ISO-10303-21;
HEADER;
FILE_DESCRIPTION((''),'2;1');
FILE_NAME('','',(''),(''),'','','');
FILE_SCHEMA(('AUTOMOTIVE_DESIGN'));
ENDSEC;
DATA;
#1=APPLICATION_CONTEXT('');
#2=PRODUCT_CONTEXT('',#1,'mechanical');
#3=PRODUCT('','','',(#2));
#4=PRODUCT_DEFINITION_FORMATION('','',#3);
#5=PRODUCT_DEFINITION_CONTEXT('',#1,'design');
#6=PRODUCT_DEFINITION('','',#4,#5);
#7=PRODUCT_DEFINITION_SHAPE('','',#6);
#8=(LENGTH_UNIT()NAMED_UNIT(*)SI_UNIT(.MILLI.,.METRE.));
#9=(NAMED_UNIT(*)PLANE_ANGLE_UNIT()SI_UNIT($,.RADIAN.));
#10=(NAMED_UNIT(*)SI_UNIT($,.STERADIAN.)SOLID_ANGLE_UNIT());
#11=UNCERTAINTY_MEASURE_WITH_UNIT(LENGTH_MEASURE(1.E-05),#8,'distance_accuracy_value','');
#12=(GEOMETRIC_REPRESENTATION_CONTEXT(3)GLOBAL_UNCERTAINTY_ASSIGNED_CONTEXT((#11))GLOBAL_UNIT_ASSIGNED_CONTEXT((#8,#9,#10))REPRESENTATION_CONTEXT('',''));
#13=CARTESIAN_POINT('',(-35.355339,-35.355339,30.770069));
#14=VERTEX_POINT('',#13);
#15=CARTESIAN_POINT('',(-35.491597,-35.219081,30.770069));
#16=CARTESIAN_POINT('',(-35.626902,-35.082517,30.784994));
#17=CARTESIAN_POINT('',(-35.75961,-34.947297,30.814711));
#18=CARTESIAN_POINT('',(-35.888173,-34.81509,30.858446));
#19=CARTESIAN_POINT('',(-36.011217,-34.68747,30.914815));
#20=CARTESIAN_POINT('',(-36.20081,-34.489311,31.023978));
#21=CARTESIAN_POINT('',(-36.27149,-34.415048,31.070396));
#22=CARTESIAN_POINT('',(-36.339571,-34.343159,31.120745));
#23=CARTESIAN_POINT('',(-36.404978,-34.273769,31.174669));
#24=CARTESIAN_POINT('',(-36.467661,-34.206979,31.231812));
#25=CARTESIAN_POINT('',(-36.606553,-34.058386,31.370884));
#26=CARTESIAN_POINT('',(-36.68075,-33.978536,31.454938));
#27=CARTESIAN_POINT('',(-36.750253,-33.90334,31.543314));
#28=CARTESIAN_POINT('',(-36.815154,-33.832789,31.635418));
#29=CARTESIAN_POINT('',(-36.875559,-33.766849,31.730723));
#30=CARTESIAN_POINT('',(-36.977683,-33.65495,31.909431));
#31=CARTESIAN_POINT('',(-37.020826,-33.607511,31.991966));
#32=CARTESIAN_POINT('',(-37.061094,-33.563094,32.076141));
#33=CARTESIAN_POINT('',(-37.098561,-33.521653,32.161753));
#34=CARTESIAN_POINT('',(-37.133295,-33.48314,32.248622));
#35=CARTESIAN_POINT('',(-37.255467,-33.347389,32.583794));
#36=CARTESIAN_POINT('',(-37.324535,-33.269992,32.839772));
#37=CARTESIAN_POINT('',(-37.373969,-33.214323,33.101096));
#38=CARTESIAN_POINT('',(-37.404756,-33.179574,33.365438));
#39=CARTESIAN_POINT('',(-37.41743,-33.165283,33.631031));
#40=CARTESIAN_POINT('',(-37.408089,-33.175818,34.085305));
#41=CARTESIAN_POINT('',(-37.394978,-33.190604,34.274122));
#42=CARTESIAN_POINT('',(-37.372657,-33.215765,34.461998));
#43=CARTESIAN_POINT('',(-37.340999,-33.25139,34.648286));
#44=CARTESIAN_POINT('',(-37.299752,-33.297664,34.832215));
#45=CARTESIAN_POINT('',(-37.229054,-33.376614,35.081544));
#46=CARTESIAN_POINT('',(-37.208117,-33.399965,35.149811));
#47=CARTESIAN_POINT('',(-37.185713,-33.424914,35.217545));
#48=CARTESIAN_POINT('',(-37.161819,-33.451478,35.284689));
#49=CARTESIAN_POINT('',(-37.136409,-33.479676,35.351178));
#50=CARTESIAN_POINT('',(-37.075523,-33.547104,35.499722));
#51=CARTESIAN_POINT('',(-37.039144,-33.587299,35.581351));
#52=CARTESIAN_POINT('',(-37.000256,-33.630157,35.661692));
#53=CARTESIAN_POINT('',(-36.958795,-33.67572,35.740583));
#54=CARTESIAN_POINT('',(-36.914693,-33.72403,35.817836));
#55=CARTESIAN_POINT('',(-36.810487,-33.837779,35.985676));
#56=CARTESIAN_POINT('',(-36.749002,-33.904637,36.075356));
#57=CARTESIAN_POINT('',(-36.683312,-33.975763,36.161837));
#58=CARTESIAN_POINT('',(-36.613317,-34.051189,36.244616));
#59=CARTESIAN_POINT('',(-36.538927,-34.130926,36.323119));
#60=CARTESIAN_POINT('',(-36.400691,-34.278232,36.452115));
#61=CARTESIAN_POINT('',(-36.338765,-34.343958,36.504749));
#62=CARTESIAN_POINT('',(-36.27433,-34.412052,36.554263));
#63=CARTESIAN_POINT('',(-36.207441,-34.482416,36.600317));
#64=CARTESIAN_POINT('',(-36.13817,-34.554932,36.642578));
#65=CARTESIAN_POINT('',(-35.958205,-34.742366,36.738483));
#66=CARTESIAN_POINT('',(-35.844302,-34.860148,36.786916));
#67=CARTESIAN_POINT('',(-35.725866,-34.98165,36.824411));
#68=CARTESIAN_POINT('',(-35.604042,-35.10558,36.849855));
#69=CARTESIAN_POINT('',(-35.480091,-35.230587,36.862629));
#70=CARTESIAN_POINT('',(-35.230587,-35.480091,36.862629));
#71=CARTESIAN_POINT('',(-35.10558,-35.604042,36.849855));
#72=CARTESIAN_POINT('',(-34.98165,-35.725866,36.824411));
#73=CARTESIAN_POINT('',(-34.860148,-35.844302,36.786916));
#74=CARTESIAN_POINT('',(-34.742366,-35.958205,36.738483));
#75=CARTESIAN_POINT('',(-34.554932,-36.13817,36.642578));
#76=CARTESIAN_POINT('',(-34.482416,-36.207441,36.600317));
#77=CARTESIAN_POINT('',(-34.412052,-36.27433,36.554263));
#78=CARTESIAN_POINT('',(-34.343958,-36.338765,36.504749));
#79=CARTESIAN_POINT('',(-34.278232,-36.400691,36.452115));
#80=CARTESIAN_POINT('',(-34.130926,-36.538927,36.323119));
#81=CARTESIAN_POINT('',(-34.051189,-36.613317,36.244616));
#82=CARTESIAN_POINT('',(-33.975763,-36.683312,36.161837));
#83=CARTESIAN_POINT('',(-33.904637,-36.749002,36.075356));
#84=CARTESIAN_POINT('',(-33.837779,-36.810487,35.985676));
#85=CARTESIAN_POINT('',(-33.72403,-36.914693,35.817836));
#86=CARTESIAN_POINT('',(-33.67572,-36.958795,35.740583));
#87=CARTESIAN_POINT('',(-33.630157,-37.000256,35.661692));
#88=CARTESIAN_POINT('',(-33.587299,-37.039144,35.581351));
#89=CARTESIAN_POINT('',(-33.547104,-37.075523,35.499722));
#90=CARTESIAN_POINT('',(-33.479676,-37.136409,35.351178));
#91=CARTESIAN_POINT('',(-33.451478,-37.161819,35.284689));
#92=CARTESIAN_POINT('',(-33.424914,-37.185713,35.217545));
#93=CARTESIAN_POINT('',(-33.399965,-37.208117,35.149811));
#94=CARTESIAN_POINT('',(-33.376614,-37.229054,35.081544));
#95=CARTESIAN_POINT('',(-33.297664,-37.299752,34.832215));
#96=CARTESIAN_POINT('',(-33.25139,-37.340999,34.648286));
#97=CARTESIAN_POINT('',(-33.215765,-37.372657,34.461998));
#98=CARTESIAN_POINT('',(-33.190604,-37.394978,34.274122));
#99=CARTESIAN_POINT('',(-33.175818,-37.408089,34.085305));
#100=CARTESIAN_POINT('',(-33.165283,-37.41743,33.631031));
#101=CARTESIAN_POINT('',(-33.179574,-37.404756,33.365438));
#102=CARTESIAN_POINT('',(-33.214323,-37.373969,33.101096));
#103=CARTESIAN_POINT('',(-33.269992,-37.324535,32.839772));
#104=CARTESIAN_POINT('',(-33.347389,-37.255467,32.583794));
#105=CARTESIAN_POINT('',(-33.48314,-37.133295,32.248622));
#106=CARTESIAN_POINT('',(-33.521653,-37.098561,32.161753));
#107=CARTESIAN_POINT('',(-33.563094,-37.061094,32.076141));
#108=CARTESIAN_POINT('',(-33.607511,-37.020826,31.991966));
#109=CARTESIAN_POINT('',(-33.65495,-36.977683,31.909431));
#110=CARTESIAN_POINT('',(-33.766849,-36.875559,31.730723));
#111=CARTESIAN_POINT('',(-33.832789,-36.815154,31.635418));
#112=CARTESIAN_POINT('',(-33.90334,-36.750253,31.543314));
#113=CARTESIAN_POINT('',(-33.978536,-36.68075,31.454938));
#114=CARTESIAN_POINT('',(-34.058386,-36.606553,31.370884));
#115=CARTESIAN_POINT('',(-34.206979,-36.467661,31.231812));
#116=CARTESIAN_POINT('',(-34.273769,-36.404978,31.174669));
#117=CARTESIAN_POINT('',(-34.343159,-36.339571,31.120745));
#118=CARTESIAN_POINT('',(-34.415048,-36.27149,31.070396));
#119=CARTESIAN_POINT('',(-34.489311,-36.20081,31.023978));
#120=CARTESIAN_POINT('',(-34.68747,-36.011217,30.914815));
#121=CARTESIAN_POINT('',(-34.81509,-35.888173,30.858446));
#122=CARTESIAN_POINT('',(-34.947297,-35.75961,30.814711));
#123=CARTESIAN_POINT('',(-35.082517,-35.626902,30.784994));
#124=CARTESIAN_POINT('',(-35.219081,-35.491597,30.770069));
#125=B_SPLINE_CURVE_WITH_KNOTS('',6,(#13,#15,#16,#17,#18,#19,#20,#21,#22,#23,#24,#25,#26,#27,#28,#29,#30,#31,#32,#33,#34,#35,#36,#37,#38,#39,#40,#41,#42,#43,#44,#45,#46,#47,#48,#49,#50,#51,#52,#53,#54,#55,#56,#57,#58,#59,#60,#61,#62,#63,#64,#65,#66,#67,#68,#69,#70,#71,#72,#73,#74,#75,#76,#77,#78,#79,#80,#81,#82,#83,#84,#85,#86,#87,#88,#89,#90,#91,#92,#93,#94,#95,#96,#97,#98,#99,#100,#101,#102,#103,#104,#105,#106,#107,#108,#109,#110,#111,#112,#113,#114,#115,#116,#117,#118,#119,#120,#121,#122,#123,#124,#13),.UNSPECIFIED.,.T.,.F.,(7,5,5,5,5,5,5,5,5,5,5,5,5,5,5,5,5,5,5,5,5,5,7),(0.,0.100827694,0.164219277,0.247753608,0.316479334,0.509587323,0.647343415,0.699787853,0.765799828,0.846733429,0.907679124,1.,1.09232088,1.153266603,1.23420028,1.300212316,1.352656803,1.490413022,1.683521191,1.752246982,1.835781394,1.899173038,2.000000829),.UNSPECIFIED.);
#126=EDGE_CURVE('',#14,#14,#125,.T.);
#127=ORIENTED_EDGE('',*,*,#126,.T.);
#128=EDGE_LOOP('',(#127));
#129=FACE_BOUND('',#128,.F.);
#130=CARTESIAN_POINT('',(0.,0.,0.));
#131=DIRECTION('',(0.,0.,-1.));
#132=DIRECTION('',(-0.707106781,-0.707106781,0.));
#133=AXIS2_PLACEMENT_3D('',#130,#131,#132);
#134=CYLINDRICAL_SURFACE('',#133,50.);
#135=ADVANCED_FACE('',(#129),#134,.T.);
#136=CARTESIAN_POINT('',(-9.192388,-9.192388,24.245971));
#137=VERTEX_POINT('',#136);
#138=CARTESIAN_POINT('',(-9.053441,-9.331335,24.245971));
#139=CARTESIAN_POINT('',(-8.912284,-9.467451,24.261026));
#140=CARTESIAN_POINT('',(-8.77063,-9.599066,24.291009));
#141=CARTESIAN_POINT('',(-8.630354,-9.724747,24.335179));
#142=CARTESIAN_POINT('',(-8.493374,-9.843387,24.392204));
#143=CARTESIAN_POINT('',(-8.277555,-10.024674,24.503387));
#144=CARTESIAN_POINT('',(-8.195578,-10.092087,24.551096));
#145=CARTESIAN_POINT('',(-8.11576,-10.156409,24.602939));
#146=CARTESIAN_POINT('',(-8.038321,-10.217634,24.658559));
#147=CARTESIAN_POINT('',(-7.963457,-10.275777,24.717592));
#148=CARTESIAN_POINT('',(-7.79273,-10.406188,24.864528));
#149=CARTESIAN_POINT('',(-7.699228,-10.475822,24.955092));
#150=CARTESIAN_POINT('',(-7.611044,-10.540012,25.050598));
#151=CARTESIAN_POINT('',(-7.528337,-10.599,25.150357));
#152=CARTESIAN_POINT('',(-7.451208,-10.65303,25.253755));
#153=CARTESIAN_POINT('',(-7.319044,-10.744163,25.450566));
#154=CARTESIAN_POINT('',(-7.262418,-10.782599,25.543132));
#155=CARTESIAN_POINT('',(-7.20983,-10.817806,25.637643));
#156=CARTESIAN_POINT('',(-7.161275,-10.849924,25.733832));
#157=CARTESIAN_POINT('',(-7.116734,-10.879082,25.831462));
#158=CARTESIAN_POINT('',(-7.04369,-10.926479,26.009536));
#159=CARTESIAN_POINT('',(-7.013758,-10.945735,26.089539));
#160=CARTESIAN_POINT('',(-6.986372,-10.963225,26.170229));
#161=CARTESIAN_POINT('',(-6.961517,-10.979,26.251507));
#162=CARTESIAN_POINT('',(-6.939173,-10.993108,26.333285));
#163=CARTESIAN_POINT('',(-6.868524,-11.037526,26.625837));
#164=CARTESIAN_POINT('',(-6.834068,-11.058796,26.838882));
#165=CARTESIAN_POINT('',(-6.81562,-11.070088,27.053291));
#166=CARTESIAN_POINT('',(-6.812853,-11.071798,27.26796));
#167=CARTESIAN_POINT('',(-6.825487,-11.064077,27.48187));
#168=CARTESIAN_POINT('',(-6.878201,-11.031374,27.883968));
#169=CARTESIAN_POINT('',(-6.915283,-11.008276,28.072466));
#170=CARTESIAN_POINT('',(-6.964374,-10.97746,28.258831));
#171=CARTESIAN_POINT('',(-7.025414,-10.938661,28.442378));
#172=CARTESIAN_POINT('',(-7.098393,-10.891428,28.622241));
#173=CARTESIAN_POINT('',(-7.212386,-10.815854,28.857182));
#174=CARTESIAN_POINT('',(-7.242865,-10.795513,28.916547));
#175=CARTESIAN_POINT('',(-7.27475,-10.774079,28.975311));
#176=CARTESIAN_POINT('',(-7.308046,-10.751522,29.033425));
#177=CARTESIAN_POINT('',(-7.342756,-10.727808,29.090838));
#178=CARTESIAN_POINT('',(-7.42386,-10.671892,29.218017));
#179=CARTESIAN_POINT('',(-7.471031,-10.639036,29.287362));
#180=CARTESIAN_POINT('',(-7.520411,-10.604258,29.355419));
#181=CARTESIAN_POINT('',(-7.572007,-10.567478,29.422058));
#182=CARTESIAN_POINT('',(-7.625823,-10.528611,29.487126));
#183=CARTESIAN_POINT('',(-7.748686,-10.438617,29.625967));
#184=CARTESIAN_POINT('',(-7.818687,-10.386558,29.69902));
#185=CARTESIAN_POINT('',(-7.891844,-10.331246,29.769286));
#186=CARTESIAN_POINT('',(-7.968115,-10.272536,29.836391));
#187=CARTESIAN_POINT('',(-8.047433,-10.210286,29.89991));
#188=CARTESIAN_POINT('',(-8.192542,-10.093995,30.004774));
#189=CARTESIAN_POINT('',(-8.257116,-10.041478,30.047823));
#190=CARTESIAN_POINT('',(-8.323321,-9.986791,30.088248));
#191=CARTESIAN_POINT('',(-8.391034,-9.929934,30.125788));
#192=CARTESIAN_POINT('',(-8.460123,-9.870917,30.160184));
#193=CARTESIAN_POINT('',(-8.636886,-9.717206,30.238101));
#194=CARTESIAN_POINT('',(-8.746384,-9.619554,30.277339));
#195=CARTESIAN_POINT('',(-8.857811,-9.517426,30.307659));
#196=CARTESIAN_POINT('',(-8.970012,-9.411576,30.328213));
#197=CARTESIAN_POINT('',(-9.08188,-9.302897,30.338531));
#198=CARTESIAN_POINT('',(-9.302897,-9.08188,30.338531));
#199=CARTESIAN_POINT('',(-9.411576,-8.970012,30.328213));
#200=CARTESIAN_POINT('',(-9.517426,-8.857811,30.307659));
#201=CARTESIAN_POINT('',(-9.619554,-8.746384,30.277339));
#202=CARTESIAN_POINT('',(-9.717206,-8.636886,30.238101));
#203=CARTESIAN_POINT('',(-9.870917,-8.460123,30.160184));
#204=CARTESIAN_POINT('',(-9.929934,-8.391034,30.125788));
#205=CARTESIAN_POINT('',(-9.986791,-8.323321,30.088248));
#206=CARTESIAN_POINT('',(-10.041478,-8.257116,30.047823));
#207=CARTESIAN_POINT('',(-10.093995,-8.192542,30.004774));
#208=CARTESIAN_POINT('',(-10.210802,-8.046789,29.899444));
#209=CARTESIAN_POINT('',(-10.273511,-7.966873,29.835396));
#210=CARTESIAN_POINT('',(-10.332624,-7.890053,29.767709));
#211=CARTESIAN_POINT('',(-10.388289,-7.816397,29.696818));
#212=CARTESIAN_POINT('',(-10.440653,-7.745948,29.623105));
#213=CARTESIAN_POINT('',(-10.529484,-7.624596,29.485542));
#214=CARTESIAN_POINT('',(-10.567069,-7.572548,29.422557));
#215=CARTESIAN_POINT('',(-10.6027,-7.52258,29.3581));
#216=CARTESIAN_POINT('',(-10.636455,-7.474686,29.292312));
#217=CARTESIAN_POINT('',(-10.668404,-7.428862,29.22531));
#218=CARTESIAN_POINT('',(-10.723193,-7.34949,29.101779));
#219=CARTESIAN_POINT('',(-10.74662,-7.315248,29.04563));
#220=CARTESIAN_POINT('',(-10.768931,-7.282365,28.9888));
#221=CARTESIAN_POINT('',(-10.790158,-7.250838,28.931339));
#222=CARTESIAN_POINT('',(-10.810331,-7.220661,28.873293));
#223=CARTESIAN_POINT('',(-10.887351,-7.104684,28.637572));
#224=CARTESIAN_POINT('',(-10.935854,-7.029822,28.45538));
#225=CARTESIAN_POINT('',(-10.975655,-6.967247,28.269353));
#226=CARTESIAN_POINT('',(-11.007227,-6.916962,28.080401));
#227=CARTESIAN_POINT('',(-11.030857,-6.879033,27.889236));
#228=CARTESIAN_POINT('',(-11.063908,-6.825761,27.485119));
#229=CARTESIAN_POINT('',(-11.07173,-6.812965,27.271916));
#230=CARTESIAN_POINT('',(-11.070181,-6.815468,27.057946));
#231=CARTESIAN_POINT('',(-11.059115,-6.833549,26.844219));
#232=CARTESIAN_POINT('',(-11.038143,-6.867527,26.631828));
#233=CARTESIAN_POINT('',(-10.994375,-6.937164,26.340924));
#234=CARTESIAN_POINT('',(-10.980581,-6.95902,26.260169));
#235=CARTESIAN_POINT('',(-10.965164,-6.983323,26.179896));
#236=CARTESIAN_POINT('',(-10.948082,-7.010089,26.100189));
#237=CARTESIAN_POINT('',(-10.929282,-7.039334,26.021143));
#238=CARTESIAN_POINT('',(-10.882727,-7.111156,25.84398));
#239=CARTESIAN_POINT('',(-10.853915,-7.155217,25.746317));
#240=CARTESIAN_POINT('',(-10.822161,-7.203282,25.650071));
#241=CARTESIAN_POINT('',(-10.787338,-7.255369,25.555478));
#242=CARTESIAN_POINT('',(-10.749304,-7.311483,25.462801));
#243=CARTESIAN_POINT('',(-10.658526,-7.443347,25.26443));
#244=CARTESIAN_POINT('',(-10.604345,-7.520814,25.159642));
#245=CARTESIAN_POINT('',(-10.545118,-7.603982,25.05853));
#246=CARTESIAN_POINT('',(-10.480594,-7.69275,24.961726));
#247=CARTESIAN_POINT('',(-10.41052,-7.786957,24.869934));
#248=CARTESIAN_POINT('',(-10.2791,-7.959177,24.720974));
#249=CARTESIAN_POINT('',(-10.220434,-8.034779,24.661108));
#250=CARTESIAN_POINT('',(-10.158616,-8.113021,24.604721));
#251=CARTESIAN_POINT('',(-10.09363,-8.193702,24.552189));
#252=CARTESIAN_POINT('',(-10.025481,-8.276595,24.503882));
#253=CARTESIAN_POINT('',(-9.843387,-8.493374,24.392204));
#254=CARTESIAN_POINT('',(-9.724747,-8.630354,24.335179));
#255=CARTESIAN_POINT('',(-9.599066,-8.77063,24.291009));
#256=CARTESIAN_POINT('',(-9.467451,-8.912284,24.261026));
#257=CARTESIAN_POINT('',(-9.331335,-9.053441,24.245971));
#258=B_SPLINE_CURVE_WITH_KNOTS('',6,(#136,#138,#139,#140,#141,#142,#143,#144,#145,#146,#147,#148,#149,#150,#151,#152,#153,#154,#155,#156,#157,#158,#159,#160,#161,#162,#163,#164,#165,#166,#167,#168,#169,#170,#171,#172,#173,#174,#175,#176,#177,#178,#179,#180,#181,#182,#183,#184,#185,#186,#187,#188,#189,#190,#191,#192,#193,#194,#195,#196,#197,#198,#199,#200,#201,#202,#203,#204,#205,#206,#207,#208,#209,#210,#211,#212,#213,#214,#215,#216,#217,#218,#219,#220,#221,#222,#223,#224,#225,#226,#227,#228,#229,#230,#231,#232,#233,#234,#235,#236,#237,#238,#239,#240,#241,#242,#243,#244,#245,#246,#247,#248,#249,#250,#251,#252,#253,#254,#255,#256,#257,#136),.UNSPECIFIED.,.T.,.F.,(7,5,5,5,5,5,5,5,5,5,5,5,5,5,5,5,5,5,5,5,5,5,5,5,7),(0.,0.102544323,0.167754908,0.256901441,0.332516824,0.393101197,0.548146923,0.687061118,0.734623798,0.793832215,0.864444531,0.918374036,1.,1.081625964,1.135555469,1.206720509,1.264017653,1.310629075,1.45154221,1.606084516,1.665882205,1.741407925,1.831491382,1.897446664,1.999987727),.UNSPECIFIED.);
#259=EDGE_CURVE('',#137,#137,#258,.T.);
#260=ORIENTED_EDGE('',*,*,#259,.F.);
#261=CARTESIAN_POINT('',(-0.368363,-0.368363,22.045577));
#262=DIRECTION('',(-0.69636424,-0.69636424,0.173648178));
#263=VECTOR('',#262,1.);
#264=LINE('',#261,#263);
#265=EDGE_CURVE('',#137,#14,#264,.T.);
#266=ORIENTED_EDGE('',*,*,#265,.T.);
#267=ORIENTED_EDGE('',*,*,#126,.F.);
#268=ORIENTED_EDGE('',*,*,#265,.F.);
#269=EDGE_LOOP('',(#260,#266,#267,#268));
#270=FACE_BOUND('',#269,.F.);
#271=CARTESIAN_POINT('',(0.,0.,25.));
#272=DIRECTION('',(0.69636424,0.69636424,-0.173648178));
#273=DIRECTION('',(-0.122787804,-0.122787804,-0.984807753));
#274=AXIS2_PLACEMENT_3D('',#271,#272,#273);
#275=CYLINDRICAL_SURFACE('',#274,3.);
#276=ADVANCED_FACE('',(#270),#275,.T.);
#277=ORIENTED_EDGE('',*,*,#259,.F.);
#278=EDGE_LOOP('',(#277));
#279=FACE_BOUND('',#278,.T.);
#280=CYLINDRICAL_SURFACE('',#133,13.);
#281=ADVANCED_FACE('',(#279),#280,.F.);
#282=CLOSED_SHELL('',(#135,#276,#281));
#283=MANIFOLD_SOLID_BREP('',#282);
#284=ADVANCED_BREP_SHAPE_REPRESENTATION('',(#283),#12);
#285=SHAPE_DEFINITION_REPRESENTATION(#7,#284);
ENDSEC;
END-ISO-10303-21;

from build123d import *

# Parameters (mm, degrees)
CYLINDER015_R               = 50
CYLINDER015_DEPTH           = 67
CYLINDER014_R               = 55
CYLINDER014_DEPTH           = 67
CYLINDER013_R               = 13
CYLINDER013_DEPTH           = 60
CYLINDER012_R               = 3
CYLINDER012_DEPTH           = 54
CYLINDER012_PLACEMENT_ANGLE = 80
CUT009_PLACEMENT_ANGLE      = 45


with BuildPart() as inner001:
    # Cylinder015 → Cylinder015 (new body)
    with BuildSketch(Plane.XY):
        Circle(CYLINDER015_R)
    extrude(amount=CYLINDER015_DEPTH)


with BuildPart() as case001:
    # Cylinder014 → Cylinder014 (new body)
    with BuildSketch(Plane.XY):
        Circle(CYLINDER014_R)
    extrude(amount=CYLINDER014_DEPTH)

    # Cut008: cut Inner001
    add(inner001.part, mode=Mode.SUBTRACT)


with BuildPart() as cylinder016:
    # Cylinder013 → Cylinder013 (new body)
    with BuildSketch(Plane.XY):
        Circle(CYLINDER013_R)
    extrude(amount=CYLINDER013_DEPTH)


with BuildPart() as support_final:
    # Cylinder012 → Cylinder012 (new body)
    with BuildSketch(Plane.XY):
        Circle(CYLINDER012_R)
    extrude(amount=CYLINDER012_DEPTH)


with BuildPart() as support_final_1:
    # Cylinder012 placement: moved
    add(support_final.part.moved(Location((0, 0, 25))).rotate(Axis((0, 0, 25), (0, 1, 0)), CYLINDER012_PLACEMENT_ANGLE))

    # Cut007: cut Cylinder016
    add(cylinder016.part, mode=Mode.SUBTRACT)

    # Cut009: cut Case001
    add(case001.part, mode=Mode.SUBTRACT)


with BuildPart() as support_final_2:
    # Cut009 placement: moved
    add(support_final_1.part.rotate(Axis((0, 0, 0), (0, 0, 1)), CUT009_PLACEMENT_ANGLE))


with BuildPart() as part_mirroring001:
    # Part__Mirroring001: instance of Support Final
    add(support_final_2.part.mirror(Plane(origin=(0, 0, 0), x_dir=(0, -1, 0), z_dir=(1, 0, 0))))


with BuildPart() as part_mirroring003:
    # Part__Mirroring003: instance of Part__Mirroring001
    add(part_mirroring001.part.mirror(Plane(origin=(0, 0, 0), x_dir=(1, 0, 0), z_dir=(0, 1, 0))))


solid = part_mirroring003.part
